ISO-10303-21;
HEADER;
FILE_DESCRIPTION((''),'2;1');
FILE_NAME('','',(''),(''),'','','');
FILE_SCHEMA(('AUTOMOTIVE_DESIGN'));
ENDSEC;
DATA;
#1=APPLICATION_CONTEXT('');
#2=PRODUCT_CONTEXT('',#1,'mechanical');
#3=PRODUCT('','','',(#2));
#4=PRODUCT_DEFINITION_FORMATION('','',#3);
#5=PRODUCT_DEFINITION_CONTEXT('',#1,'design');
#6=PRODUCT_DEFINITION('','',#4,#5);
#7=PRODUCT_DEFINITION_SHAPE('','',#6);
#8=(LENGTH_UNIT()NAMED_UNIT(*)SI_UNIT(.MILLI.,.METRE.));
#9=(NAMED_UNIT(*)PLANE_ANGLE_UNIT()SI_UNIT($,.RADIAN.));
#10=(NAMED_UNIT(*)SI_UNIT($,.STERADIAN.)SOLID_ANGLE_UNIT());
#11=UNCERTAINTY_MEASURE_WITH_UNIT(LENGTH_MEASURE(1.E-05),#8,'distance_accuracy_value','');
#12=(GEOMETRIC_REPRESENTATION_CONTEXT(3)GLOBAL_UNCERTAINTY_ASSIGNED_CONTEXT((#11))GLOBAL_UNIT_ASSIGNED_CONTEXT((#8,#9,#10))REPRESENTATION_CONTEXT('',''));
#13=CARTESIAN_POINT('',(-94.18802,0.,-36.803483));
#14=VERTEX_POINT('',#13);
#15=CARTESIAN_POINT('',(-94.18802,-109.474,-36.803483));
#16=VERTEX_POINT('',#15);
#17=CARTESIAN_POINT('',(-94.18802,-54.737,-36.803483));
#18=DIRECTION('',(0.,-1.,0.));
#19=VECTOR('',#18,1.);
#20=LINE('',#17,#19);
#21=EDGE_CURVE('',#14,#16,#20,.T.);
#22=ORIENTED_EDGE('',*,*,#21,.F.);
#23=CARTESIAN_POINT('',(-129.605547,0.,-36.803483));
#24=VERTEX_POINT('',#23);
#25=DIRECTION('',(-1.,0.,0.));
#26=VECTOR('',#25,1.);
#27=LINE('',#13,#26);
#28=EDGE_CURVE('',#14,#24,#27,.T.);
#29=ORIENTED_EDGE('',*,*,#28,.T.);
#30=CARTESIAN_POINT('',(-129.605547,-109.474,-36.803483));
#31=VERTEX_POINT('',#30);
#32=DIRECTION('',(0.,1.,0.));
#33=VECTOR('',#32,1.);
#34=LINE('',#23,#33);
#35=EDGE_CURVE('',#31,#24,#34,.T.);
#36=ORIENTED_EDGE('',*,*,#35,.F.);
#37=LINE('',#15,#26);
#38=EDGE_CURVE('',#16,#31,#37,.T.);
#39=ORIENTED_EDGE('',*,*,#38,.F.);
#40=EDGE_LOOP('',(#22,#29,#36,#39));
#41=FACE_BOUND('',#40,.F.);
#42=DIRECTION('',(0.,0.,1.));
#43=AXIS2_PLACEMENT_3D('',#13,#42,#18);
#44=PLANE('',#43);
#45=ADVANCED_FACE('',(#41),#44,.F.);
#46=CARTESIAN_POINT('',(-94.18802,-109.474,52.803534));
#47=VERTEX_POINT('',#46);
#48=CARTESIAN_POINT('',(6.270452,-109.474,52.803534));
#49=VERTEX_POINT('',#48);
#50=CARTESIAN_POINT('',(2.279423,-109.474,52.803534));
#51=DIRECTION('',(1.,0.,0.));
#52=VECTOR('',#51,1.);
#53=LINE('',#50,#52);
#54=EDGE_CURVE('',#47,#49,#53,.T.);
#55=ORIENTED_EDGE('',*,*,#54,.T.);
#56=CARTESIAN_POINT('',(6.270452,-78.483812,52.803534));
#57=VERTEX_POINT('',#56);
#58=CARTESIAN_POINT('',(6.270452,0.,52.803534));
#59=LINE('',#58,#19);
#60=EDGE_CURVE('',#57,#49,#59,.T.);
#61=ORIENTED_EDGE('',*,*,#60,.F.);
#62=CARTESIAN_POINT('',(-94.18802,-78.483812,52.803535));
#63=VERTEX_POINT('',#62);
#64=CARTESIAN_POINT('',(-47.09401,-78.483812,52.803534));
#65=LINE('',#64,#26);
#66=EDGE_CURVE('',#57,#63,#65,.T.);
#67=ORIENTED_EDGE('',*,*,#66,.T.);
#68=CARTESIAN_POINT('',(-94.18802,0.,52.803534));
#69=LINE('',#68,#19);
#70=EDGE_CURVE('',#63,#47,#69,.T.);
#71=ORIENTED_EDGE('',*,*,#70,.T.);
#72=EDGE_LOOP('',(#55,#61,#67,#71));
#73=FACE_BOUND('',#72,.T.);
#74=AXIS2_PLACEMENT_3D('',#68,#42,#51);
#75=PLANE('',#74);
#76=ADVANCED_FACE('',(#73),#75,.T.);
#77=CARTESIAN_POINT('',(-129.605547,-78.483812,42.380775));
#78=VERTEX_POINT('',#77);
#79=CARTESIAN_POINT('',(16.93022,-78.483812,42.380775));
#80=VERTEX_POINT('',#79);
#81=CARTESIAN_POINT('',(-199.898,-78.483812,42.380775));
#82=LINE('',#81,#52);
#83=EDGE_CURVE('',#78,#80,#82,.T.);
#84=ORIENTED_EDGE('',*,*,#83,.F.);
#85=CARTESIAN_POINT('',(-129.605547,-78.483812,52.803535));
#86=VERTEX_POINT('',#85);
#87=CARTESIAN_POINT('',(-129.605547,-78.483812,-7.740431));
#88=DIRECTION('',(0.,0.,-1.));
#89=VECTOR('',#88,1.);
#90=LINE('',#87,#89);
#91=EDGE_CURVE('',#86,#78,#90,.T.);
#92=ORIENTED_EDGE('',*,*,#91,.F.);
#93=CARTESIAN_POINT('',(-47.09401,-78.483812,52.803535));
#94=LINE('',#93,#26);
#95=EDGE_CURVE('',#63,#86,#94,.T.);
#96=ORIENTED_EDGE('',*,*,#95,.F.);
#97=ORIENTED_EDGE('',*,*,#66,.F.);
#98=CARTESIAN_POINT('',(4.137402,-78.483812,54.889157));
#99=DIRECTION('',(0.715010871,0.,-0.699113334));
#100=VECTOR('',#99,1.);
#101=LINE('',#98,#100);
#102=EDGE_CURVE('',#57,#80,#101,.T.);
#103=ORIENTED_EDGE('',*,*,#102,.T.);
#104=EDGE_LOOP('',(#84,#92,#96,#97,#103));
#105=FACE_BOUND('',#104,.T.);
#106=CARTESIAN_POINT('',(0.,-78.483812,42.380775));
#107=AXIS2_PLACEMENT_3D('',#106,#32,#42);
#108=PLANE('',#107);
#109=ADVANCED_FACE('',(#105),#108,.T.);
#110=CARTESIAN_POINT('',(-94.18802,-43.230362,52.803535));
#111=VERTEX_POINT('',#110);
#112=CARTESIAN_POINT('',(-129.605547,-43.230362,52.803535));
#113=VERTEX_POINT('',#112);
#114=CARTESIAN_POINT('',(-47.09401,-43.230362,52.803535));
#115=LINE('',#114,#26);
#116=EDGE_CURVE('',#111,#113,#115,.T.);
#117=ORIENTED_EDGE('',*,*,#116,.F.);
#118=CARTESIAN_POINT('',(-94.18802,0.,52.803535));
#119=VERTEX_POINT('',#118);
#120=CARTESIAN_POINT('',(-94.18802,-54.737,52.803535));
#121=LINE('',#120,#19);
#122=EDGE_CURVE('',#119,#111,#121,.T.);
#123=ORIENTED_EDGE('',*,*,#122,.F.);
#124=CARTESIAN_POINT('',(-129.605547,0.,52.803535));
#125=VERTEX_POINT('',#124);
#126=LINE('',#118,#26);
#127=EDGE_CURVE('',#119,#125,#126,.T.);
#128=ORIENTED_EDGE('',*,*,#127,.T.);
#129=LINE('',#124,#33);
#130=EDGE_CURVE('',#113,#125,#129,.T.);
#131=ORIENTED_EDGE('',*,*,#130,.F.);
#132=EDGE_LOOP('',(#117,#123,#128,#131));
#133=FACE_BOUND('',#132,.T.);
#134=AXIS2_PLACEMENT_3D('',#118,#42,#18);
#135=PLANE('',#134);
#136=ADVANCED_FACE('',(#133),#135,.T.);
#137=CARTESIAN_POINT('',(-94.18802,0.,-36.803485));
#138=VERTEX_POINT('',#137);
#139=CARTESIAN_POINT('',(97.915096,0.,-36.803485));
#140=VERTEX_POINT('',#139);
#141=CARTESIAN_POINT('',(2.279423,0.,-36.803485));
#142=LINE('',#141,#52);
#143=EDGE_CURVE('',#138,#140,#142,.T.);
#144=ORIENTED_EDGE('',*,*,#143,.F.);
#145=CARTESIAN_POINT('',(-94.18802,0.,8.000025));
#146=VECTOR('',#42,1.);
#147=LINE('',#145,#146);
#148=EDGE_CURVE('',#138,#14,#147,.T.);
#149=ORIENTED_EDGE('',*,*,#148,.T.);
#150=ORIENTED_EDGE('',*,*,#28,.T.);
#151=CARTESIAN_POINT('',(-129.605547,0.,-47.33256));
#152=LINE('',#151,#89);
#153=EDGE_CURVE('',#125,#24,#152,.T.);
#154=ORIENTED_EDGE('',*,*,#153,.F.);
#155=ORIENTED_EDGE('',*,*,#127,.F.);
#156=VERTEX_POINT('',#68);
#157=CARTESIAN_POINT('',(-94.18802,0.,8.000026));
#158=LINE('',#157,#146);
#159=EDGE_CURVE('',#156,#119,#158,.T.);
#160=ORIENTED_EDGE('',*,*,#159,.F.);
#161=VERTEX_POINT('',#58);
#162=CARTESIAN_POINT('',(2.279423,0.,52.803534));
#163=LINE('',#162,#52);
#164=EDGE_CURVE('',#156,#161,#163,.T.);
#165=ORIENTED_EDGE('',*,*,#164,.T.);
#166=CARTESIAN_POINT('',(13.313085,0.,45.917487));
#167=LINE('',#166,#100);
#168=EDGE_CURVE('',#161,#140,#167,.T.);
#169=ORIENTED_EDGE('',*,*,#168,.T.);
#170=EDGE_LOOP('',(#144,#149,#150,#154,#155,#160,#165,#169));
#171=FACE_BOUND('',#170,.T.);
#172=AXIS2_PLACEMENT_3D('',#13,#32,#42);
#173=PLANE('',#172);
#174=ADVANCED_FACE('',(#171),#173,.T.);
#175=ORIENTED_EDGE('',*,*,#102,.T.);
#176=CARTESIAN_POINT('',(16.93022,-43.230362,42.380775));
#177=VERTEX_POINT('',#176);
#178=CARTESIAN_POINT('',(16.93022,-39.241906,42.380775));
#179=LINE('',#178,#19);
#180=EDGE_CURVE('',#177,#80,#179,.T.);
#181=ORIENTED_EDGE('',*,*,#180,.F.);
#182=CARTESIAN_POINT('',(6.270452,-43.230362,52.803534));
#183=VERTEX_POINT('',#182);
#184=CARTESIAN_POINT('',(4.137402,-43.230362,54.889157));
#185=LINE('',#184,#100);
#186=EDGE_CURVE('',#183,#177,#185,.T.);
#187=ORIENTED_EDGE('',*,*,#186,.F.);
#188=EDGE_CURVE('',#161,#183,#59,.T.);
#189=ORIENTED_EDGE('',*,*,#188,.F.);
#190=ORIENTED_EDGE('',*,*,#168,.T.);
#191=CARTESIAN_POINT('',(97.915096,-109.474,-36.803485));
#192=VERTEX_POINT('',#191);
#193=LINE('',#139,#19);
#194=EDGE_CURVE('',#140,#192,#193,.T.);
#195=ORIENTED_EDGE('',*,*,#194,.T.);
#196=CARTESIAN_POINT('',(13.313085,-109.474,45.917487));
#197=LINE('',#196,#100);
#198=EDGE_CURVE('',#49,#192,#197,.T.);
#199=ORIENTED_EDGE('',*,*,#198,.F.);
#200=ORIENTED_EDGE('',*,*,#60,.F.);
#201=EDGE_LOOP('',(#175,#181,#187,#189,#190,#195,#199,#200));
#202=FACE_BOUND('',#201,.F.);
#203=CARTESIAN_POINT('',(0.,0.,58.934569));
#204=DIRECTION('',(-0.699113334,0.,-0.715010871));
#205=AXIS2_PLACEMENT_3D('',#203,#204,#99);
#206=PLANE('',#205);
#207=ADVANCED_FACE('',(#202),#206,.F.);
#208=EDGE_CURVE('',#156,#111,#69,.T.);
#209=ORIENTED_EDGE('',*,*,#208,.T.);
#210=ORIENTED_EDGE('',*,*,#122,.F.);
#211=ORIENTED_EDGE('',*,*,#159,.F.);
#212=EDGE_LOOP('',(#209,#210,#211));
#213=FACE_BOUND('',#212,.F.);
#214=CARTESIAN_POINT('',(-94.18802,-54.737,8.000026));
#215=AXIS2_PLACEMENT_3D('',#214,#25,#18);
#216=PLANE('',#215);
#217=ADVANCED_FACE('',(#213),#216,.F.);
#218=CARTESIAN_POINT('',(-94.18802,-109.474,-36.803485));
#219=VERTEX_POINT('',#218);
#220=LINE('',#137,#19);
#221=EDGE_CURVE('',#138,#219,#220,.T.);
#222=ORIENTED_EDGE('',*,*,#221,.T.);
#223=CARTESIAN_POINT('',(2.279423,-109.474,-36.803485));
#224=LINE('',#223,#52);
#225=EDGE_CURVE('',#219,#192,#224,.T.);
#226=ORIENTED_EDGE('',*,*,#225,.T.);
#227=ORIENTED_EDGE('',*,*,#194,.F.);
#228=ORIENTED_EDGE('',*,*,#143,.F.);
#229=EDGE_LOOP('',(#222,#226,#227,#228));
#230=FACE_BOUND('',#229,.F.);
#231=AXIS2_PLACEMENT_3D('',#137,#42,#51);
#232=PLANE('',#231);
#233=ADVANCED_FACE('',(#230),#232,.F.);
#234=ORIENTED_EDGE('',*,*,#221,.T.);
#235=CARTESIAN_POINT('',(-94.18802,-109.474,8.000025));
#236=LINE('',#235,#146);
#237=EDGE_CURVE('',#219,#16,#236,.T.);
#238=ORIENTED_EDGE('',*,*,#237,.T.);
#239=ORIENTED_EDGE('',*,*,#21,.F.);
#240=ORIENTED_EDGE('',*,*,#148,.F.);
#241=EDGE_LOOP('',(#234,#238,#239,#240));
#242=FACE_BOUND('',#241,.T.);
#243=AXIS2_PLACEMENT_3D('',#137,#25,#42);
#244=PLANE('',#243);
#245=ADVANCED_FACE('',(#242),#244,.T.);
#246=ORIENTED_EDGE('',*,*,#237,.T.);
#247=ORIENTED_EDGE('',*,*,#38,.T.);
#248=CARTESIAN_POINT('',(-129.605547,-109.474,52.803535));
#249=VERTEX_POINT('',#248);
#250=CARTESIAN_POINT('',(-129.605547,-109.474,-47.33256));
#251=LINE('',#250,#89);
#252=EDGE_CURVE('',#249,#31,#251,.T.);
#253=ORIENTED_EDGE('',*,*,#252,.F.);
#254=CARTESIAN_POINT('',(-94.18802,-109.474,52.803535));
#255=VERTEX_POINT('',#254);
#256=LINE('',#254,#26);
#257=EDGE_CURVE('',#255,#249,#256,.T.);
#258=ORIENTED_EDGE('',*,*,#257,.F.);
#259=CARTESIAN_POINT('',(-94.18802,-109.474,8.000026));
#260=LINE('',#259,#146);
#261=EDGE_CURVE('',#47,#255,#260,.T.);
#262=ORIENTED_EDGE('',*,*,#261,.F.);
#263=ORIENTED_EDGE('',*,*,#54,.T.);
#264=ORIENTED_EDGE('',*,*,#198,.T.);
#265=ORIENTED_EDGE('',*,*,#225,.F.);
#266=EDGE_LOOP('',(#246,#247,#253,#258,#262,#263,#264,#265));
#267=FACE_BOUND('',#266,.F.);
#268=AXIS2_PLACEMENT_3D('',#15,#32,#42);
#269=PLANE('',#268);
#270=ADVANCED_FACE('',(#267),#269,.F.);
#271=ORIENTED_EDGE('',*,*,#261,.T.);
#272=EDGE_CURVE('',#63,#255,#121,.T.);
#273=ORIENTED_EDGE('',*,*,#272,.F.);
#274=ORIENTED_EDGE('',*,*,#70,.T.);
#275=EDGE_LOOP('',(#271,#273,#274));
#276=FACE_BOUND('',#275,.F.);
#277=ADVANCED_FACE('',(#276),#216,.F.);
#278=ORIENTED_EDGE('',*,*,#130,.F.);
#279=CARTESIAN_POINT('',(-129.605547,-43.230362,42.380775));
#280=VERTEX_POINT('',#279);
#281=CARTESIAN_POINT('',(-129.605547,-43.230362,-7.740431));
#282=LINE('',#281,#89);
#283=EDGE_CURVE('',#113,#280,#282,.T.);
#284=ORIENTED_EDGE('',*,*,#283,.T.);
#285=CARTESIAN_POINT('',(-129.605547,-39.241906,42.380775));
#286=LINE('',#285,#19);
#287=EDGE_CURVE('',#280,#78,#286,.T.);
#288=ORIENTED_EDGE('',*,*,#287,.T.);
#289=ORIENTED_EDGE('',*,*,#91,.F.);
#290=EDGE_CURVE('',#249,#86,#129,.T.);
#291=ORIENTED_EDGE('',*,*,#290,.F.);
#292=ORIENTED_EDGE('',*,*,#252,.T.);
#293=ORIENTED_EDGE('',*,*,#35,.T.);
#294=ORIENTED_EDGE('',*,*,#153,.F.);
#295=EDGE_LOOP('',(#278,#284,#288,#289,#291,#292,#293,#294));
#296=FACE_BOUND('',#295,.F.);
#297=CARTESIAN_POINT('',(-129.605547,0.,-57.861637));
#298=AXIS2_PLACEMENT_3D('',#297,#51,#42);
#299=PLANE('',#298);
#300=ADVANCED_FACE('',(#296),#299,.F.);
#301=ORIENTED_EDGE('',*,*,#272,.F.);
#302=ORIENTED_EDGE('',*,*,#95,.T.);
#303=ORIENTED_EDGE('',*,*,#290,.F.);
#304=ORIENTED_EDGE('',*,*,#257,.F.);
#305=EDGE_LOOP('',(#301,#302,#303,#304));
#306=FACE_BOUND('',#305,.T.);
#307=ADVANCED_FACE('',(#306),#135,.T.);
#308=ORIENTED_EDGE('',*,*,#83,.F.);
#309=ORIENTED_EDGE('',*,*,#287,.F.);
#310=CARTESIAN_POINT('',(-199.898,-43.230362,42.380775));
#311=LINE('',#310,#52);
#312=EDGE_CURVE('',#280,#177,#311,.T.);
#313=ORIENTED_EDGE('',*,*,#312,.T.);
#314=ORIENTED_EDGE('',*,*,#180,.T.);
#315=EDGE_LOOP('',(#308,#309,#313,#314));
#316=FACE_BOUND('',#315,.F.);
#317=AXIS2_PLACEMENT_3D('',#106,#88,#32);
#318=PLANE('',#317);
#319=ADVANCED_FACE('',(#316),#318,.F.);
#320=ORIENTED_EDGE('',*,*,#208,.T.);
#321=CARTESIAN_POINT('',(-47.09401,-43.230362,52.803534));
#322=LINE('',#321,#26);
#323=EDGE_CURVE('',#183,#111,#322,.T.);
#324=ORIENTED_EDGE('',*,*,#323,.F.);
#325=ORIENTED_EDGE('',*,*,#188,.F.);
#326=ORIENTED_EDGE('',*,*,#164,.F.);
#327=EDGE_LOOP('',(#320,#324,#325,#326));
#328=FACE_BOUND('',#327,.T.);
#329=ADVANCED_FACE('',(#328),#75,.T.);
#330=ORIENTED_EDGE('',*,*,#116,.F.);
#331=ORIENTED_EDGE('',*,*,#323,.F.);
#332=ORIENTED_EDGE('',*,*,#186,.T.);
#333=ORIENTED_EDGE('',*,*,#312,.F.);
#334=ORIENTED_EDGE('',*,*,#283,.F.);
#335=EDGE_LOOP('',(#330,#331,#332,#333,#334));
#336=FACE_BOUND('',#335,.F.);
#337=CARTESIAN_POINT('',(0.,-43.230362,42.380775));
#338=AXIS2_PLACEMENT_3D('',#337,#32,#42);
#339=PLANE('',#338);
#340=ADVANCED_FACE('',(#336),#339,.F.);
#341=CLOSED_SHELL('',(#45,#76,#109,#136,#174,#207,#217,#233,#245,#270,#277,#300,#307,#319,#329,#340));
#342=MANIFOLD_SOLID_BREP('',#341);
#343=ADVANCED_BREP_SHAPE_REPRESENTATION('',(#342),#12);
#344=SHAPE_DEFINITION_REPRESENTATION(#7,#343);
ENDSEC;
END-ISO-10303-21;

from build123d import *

# Parameters (mm, degrees)
F0_W      = 192.934886
F0_H      = 89.607019
F1_DEPTH  = 109.474
F3_DEPTH  = 147.32
F1_FACE_W = 109.474
F1_FACE_H = 89.607018
F4_DEPTH  = 85.598
F5_W      = 35.253451
F5_H      = 16.860347
F6_DEPTH  = 199.898
F8_DEPTH  = 210.82


with BuildPart() as f1:
    # F0 (on Front) → F1 (new body)
    with BuildSketch(Plane.XZ):
        with Locations((2.279423, 8.000025)):
            Rectangle(F0_W, F0_H)
    extrude(amount=F1_DEPTH)

    # F2 (on Front) → F3 (cut, symmetric)
    with BuildSketch(Plane.XZ):
        Polygon((0, 58.934569), (99.073134, -37.935775), (122.37107, -39.468534), (122.37107, 39.621811), (95.08796, 58.934569), align=None)
    extrude(amount=F3_DEPTH, both=True, mode=Mode.SUBTRACT)

    # F1_face (on face) → F4 (join)
    with BuildSketch(Plane(origin=(-94.18802, -54.737, 8.000026), x_dir=(0, -1, 0), z_dir=(-1, 0, 0))):
        Rectangle(F1_FACE_W, F1_FACE_H)
    extrude(amount=F4_DEPTH)

    # F5 (on Right) → F6 (cut, symmetric)
    with BuildSketch(Plane.YZ):
        with Locations((-60.857087, 50.810949)):
            Rectangle(F5_W, F5_H)
    extrude(amount=F6_DEPTH, both=True, mode=Mode.SUBTRACT)

    # F7 (on Front) → F8 (cut, symmetric)
    with BuildSketch(Plane.XZ):
        Polygon((-129.605547, -57.861637), (-129.605547, 68.131119), (-195.514172, 67.211464), (-195.514172, -57.861637), align=None)
    extrude(amount=F8_DEPTH, both=True, mode=Mode.SUBTRACT)


solid = f1.part
